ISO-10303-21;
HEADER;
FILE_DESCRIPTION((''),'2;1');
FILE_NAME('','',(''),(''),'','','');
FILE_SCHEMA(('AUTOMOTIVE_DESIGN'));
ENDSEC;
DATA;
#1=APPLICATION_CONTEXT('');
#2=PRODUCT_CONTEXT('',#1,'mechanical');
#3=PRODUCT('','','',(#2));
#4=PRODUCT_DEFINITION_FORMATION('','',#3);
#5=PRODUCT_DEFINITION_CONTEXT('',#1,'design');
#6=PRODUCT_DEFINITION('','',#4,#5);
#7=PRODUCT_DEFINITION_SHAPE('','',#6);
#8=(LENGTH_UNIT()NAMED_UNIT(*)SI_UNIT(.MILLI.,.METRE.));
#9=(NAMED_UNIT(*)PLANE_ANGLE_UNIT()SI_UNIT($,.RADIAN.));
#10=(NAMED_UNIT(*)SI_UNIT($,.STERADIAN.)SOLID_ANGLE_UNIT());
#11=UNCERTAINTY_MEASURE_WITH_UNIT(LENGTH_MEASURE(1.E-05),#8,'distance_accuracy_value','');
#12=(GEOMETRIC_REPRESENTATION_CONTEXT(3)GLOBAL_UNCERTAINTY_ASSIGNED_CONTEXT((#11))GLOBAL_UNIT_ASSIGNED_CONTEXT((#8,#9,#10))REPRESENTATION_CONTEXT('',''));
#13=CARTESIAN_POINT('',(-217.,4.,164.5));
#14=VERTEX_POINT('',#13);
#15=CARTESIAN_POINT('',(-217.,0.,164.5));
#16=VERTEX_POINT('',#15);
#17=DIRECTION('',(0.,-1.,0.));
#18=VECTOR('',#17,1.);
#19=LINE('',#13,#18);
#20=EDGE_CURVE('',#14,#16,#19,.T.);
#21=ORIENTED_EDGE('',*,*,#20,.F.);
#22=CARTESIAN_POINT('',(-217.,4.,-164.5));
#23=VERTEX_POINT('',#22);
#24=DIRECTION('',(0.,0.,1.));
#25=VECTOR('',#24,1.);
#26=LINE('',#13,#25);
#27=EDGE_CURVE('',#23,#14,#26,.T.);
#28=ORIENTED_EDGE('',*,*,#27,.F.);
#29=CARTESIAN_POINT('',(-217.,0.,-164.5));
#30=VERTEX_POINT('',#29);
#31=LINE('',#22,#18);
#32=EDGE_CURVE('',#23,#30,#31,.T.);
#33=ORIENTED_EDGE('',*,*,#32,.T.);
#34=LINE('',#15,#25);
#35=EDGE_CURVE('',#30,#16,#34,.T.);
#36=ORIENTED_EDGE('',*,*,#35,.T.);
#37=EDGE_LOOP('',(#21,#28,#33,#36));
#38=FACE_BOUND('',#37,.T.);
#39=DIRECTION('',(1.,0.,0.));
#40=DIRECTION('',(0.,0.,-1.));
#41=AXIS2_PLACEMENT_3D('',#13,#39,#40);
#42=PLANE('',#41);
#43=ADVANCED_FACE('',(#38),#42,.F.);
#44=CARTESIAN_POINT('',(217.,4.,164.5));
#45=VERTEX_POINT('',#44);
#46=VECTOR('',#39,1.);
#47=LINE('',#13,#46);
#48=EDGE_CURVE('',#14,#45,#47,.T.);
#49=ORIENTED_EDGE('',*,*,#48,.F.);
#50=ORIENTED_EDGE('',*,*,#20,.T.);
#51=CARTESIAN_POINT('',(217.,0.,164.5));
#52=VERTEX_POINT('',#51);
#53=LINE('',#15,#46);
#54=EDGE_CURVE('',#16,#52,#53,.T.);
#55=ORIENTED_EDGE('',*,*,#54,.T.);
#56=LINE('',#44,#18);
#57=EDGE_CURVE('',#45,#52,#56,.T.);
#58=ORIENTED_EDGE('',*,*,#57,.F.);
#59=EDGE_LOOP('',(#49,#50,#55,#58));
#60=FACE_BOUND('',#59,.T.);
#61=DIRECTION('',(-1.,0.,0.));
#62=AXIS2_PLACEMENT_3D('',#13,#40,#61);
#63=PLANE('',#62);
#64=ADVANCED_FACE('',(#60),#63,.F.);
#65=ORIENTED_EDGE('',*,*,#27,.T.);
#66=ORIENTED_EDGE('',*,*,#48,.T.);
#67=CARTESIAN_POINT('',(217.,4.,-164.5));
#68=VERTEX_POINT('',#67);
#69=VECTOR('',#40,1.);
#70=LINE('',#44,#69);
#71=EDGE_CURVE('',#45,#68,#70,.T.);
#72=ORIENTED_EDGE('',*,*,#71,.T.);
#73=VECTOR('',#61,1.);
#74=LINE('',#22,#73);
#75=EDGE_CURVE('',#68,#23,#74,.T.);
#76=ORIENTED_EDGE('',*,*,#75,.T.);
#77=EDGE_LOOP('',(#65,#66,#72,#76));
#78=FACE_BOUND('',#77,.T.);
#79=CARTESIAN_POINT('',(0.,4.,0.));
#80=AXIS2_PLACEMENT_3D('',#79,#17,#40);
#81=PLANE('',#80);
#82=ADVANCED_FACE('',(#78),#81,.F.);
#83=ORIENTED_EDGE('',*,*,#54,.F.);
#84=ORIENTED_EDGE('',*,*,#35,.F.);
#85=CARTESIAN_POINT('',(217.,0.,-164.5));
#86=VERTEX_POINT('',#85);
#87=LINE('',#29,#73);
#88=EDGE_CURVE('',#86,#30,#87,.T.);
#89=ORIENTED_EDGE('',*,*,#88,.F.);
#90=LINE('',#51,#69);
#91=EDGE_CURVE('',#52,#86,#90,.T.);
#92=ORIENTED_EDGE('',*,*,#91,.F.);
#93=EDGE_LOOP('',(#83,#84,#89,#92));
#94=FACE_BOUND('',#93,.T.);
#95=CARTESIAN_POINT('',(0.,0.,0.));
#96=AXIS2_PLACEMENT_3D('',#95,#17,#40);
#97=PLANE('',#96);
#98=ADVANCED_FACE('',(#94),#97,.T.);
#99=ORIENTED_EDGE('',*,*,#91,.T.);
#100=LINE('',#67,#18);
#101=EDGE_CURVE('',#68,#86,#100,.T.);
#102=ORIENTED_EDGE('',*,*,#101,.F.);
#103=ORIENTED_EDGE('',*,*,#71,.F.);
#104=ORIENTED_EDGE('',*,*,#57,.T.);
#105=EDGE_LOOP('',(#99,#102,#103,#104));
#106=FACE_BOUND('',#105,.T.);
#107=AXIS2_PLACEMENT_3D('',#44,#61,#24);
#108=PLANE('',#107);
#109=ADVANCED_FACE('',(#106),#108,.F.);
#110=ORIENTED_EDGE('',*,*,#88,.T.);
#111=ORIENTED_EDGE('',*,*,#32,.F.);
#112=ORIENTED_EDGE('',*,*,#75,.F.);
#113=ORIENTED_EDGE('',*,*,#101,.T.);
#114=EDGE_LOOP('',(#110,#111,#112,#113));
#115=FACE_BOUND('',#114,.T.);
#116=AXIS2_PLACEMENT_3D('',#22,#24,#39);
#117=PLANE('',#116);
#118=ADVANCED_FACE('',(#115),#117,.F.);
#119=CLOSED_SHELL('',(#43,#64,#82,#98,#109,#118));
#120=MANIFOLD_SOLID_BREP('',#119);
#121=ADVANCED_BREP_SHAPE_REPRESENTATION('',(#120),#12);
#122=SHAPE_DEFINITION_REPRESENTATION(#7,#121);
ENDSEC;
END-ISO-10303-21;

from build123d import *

# Parameters (mm, degrees)
SKETCH_1_W      = 434
SKETCH_1_H      = 329
EXTRUDE_1_DEPTH = 4


with BuildPart() as part:
    # Эскиз1 → Бобышка-Вытянуть1 (new body)
    with BuildSketch(Plane(origin=(0, 0, 0), x_dir=(1, 0, 0), z_dir=(0, 1, 0))):
        Rectangle(SKETCH_1_W, SKETCH_1_H)
    extrude(amount=EXTRUDE_1_DEPTH)


solid = part.part
